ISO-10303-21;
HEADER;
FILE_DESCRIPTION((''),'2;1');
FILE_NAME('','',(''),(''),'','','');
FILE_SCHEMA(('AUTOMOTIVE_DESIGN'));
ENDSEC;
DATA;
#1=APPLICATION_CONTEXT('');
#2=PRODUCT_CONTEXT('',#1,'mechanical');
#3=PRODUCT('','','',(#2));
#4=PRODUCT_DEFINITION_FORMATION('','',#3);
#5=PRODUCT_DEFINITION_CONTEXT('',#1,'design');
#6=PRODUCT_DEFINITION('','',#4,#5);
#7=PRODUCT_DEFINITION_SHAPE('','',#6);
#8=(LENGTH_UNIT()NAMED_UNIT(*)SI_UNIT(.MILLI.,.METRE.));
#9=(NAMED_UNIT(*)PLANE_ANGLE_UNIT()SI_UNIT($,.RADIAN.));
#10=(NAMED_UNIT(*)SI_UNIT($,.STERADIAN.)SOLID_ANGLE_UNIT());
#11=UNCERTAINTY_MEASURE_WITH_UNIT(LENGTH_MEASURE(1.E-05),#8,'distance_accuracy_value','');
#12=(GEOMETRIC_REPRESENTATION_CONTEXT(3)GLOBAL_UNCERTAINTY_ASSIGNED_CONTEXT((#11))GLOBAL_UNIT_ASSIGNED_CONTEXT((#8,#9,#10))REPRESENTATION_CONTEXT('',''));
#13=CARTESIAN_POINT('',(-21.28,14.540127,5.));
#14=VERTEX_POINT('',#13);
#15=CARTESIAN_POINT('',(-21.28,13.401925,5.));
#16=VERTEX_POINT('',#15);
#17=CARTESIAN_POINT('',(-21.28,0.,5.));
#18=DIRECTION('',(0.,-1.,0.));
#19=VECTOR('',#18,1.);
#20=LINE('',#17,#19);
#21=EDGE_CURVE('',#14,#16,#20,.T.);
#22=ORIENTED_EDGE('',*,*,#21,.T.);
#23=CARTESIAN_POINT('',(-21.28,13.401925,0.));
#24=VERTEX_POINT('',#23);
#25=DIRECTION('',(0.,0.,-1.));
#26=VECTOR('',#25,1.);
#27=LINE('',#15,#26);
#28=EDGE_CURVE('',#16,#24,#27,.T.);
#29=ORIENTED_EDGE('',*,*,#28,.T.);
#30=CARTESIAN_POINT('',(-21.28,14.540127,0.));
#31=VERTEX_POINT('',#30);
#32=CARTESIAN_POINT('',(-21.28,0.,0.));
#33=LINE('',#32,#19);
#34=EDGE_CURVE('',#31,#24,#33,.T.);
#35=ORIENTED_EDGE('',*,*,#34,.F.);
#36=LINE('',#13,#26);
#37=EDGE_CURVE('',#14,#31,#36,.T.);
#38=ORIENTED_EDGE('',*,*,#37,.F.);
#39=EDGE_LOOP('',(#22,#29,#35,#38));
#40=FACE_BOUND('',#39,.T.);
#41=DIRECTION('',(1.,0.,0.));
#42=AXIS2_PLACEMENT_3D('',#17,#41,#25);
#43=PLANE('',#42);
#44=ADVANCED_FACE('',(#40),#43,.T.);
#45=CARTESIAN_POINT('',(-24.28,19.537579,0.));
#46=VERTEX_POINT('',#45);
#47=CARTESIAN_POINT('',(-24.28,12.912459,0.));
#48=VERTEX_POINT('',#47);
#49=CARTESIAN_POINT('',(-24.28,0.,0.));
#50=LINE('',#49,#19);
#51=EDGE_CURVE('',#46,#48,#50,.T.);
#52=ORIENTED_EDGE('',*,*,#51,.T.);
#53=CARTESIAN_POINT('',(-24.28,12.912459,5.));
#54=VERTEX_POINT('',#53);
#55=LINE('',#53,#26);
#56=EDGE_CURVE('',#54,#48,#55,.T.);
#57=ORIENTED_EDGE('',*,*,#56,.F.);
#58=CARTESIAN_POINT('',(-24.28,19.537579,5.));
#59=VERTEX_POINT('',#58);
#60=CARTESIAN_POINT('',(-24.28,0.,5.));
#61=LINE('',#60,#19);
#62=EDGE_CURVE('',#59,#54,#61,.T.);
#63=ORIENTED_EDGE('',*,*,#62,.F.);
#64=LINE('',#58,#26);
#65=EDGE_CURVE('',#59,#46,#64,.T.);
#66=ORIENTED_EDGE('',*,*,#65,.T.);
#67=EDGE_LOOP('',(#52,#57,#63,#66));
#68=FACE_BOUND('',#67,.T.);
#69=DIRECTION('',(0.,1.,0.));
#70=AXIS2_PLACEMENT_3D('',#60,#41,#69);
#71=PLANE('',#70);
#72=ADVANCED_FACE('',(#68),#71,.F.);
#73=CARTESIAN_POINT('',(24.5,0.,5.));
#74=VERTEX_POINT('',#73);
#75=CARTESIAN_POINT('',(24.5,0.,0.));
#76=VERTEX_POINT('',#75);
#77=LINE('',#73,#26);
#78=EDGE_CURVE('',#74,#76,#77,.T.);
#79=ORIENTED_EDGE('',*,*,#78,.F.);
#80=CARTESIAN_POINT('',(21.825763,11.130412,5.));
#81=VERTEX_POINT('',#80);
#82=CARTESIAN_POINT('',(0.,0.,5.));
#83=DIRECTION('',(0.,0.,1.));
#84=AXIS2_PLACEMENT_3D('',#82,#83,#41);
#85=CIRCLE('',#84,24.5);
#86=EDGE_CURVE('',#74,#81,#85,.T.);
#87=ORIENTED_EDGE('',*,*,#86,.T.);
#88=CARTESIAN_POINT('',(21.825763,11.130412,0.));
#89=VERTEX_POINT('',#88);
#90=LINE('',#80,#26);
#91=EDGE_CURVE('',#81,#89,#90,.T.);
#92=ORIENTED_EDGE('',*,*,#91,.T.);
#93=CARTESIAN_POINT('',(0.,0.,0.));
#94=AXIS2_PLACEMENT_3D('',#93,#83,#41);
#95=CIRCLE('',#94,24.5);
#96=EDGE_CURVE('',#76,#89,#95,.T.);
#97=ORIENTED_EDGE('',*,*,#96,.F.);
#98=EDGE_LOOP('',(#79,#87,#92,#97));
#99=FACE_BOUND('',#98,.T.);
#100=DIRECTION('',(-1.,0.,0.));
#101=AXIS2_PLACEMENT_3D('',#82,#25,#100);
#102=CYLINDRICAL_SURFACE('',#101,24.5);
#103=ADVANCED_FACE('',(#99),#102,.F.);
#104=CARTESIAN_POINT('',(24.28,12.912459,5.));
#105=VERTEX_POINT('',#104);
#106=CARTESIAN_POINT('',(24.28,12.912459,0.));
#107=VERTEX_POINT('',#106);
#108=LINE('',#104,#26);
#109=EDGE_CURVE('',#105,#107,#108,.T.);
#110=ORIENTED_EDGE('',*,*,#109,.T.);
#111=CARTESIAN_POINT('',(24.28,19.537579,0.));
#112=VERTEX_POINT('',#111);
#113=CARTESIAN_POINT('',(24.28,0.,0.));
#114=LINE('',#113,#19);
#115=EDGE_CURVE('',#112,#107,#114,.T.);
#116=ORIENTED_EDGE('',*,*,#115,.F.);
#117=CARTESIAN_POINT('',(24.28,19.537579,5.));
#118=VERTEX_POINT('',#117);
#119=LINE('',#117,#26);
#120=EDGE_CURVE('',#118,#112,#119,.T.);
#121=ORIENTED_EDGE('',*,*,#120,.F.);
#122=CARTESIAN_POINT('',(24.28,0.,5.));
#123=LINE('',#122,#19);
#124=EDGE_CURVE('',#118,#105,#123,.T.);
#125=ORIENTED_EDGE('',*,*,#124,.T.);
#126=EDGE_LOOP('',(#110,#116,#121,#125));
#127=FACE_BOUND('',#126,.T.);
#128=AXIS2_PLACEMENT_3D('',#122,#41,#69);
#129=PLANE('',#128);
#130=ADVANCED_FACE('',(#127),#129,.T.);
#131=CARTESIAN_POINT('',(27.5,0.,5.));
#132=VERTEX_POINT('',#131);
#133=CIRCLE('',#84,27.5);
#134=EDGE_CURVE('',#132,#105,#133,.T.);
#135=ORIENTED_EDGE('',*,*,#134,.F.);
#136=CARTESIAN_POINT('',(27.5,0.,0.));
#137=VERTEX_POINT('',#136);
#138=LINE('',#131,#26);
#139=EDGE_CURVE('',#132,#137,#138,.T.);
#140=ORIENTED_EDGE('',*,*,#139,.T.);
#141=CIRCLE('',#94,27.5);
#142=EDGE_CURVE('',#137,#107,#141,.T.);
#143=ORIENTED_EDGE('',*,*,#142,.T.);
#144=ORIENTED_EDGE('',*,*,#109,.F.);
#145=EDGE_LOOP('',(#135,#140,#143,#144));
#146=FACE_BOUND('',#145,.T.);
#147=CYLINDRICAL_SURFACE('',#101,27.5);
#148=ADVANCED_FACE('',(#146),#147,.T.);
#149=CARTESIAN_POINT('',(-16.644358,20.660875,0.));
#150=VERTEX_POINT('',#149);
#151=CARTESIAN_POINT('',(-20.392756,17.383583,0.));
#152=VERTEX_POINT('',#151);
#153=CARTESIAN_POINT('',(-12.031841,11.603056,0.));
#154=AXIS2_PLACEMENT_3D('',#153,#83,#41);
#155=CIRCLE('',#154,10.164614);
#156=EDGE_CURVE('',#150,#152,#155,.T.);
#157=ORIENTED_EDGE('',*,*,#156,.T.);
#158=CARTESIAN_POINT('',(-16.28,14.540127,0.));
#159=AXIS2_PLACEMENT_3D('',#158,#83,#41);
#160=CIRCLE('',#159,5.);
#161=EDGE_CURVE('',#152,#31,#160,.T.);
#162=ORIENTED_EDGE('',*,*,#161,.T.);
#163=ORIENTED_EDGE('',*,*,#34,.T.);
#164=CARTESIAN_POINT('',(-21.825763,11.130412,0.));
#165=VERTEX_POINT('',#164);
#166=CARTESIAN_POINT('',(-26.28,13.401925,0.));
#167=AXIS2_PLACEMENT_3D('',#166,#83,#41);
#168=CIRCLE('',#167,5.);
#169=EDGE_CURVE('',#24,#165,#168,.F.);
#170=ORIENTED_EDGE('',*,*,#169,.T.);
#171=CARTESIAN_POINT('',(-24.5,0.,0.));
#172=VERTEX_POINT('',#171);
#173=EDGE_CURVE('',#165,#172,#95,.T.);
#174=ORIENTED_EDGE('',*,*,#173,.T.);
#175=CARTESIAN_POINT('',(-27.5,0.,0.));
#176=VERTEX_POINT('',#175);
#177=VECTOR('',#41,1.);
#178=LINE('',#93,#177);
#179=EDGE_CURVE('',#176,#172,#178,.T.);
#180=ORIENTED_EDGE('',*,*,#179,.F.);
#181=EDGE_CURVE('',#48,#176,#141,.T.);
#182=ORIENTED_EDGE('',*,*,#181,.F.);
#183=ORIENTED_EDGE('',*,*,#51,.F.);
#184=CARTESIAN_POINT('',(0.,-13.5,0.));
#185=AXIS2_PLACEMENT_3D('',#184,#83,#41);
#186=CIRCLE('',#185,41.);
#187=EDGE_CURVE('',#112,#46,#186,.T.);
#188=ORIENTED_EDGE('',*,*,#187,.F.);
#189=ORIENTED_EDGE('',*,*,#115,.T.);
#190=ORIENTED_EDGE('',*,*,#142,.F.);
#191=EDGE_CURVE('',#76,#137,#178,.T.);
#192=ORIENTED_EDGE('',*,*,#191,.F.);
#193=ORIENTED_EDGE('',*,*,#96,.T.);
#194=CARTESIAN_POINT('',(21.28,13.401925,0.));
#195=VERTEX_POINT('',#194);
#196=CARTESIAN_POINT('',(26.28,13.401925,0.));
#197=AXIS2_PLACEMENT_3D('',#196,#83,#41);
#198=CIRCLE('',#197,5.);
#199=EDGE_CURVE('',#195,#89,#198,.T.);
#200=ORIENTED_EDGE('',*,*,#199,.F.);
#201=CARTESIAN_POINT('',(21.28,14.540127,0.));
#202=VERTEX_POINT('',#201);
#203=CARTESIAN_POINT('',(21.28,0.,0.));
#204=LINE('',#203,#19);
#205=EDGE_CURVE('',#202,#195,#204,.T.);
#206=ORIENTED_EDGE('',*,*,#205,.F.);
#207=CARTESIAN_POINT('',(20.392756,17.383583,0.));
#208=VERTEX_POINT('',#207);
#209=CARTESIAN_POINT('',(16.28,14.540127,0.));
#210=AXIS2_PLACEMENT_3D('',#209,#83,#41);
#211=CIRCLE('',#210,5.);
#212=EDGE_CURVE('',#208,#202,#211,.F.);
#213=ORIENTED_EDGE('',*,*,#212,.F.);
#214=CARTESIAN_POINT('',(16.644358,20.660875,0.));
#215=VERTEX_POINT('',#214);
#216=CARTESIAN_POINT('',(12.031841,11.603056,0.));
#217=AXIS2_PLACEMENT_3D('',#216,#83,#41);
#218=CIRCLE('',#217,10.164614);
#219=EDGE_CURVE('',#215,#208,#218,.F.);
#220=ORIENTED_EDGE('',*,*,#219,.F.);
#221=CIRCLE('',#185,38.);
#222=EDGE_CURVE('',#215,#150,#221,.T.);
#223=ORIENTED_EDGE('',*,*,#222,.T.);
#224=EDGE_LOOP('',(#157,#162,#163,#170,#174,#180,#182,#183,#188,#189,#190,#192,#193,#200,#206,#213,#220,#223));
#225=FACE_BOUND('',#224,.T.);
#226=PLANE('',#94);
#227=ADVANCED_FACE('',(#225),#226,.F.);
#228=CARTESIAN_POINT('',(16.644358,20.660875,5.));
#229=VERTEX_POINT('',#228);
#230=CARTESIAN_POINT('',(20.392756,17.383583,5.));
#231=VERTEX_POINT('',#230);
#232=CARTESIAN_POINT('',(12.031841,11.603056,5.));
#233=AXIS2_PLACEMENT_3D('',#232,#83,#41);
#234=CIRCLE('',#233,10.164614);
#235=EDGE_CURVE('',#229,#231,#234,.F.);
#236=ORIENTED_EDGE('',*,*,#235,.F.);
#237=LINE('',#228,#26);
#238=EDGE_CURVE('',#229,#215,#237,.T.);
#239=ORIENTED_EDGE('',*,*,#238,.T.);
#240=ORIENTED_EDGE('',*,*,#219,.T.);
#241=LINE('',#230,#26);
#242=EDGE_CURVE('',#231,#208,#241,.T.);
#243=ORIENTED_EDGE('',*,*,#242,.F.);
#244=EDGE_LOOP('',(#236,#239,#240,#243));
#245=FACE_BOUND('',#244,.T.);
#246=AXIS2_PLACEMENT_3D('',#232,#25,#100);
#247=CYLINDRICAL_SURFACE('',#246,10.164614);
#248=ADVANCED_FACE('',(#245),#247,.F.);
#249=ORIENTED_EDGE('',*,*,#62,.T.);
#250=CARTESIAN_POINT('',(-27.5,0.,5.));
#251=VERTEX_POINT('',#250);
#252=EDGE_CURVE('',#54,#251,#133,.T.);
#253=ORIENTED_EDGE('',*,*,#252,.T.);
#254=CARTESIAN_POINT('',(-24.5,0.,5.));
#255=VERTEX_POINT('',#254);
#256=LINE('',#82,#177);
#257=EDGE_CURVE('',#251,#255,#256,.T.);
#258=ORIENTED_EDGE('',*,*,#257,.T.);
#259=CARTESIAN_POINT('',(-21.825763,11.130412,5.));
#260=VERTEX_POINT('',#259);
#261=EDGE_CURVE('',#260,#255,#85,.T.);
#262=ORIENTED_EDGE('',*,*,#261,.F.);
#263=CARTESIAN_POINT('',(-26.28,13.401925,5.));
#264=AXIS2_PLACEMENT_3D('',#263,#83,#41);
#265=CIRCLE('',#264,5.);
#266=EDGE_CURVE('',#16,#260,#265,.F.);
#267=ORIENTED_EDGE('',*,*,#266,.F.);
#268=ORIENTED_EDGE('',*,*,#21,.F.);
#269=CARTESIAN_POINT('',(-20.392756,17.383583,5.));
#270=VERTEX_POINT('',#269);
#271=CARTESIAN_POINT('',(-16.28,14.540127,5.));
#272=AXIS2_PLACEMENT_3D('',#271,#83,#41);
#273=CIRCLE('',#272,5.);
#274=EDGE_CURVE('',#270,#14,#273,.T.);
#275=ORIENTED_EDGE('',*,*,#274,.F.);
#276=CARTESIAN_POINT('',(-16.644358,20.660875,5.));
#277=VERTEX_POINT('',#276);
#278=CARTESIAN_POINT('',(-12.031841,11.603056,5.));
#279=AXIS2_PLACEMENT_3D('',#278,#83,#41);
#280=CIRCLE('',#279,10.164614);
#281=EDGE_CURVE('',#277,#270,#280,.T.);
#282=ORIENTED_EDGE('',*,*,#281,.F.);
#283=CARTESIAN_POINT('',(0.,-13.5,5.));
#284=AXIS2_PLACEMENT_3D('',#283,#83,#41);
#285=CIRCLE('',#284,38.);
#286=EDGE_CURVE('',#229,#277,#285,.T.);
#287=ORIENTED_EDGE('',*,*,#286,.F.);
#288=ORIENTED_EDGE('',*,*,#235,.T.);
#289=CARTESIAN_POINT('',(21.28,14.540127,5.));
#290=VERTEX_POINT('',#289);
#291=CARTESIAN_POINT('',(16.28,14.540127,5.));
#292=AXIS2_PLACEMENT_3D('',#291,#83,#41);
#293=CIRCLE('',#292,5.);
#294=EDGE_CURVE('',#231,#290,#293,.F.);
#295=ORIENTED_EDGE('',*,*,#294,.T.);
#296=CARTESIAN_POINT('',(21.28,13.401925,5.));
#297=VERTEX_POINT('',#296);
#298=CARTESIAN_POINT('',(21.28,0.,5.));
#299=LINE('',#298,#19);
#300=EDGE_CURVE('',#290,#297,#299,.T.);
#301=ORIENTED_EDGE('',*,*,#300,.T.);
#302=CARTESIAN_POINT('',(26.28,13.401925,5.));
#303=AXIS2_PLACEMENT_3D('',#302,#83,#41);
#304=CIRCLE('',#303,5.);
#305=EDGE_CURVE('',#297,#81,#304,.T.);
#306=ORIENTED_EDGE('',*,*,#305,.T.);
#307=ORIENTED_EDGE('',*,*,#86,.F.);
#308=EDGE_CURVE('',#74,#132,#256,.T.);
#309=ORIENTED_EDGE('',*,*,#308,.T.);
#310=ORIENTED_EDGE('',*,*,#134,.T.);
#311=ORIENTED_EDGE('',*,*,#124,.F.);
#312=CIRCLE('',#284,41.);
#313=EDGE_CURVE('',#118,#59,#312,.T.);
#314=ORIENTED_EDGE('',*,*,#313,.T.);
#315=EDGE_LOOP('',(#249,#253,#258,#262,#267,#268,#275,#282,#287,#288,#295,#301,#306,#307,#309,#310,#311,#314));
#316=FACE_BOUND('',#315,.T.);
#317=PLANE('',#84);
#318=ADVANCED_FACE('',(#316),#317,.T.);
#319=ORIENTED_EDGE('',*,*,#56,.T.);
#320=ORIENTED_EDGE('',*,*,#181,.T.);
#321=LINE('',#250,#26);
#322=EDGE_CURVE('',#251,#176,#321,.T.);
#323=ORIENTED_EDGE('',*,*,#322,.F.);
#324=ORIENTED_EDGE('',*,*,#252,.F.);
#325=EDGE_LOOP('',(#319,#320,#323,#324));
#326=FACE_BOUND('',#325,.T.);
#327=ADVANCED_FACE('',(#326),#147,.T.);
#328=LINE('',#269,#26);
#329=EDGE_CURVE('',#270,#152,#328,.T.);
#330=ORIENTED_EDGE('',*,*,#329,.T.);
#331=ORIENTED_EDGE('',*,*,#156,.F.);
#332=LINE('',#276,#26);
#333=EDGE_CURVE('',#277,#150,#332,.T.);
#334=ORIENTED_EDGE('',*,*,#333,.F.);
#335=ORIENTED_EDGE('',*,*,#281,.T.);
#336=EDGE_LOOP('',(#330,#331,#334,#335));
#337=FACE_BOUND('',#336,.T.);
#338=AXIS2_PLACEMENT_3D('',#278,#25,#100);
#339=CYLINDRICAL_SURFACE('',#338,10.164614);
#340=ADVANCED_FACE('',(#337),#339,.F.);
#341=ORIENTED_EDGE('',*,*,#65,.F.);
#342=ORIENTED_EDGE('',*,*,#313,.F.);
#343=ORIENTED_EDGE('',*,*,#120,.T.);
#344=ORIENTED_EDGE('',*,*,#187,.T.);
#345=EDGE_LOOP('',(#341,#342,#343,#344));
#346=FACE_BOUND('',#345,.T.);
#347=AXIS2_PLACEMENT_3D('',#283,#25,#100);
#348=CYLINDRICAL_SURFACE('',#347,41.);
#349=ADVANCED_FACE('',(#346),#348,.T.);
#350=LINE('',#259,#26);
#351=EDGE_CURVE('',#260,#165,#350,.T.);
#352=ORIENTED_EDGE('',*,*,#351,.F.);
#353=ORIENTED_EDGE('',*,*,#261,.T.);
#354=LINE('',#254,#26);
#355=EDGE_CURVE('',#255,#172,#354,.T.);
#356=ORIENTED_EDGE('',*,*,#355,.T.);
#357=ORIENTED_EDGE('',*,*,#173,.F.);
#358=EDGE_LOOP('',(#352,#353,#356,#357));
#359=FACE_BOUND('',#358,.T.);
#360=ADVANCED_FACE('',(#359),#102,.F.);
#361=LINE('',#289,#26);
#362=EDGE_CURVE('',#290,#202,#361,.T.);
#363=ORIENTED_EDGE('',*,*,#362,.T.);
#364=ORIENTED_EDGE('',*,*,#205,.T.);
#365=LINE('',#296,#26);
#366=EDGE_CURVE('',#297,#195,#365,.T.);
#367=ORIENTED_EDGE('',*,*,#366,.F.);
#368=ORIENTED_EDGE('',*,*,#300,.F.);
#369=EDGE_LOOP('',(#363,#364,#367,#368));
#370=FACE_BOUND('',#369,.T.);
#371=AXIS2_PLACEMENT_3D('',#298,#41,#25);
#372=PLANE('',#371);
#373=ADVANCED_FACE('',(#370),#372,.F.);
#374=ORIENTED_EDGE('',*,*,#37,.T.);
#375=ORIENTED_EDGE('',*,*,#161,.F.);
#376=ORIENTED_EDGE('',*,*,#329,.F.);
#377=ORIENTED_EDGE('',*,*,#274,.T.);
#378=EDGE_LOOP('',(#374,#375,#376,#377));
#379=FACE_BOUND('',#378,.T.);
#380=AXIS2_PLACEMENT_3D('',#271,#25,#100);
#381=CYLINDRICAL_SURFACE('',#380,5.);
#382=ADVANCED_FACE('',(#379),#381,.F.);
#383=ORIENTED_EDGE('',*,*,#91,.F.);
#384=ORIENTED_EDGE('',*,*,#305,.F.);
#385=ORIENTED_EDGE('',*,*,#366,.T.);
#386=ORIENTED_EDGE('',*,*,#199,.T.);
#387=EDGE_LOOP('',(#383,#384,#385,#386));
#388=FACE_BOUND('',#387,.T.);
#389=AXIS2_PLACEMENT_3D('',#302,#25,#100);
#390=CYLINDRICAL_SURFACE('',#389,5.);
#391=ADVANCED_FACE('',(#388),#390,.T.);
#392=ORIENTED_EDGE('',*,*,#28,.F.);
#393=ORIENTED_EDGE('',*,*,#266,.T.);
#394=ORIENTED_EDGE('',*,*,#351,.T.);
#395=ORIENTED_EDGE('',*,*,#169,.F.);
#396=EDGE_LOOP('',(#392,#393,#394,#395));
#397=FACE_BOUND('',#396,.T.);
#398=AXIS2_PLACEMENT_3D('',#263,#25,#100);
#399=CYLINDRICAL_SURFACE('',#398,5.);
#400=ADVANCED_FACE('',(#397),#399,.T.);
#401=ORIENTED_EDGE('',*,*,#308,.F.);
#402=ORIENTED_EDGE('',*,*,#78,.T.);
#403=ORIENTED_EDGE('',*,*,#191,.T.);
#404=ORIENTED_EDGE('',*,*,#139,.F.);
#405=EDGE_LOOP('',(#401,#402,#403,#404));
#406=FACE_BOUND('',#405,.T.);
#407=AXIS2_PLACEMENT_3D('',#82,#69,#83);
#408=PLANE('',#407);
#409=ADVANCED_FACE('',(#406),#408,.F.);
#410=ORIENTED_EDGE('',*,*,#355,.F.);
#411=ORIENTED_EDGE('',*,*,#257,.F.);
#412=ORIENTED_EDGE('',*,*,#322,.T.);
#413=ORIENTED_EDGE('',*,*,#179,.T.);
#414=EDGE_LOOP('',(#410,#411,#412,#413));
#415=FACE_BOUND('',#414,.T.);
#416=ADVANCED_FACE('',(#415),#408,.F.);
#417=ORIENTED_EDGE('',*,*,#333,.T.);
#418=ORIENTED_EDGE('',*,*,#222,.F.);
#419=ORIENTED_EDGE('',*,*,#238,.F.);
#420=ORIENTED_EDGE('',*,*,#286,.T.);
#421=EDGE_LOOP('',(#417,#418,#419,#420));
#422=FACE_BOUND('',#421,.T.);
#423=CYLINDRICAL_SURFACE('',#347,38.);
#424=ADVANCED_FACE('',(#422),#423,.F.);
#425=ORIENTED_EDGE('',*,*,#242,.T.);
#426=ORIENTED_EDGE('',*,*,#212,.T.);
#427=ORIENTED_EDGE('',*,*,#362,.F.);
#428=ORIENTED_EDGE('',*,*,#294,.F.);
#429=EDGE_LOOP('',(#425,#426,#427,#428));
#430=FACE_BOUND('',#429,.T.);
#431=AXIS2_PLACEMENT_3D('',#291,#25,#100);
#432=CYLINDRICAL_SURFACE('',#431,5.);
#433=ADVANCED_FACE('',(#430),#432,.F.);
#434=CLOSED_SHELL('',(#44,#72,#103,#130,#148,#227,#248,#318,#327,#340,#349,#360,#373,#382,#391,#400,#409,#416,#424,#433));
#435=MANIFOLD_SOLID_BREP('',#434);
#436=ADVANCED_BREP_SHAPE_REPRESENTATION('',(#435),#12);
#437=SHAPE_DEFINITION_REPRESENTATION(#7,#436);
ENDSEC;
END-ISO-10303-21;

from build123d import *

# Parameters (mm, degrees)
BOSS_EXTRUDE3_DEPTH = 5


with BuildPart() as part:
    # Sketch1 → Boss-Extrude3 (new body)
    with BuildSketch(Plane.XY):
        with BuildLine():
            Line((-27.5, 0), (-24.5, 0))
            ThreePointArc((-24.5, 0), (-23.822061062, 5.723583386), (-21.825762712, 11.130412483))
            ThreePointArc((-21.825762712, 11.130412483), (-21.418354885, 12.233846993), (-21.28, 13.401925235))
            Line((-21.28, 13.401925235), (-21.28, 14.540127049))
            ThreePointArc((-21.28, 14.540127049), (-21.053037703, 16.029459479), (-20.392755565, 17.383582985))
            ThreePointArc((-20.392755565, 17.383582985), (-18.722329772, 19.255294032), (-16.644357741, 20.660874629))
            ThreePointArc((-16.644357741, 20.660874629), (0, 24.5), (16.644357741, 20.660874629))
            ThreePointArc((16.644357741, 20.660874629), (18.722329772, 19.255294032), (20.392755565, 17.383582985))
            ThreePointArc((20.392755565, 17.383582985), (21.053037703, 16.029459479), (21.28, 14.540127049))
            Line((21.28, 14.540127049), (21.28, 13.401925235))
            ThreePointArc((21.28, 13.401925235), (21.418354885, 12.233846993), (21.825762712, 11.130412483))
            ThreePointArc((21.825762712, 11.130412483), (23.822061062, 5.723583386), (24.5, 0))
            Line((24.5, 0), (27.5, 0))
            ThreePointArc((27.5, 0), (26.682859667, 6.653946198), (24.28, 12.9124591))
            Line((24.28, 12.9124591), (24.28, 19.537578604))
            ThreePointArc((24.28, 19.537578604), (0, 27.5), (-24.28, 19.537578604))
            Line((-24.28, 19.537578604), (-24.28, 12.9124591))
            ThreePointArc((-24.28, 12.9124591), (-26.682859667, 6.653946198), (-27.5, 0))
        make_face()
    extrude(amount=BOSS_EXTRUDE3_DEPTH)


solid = part.part
